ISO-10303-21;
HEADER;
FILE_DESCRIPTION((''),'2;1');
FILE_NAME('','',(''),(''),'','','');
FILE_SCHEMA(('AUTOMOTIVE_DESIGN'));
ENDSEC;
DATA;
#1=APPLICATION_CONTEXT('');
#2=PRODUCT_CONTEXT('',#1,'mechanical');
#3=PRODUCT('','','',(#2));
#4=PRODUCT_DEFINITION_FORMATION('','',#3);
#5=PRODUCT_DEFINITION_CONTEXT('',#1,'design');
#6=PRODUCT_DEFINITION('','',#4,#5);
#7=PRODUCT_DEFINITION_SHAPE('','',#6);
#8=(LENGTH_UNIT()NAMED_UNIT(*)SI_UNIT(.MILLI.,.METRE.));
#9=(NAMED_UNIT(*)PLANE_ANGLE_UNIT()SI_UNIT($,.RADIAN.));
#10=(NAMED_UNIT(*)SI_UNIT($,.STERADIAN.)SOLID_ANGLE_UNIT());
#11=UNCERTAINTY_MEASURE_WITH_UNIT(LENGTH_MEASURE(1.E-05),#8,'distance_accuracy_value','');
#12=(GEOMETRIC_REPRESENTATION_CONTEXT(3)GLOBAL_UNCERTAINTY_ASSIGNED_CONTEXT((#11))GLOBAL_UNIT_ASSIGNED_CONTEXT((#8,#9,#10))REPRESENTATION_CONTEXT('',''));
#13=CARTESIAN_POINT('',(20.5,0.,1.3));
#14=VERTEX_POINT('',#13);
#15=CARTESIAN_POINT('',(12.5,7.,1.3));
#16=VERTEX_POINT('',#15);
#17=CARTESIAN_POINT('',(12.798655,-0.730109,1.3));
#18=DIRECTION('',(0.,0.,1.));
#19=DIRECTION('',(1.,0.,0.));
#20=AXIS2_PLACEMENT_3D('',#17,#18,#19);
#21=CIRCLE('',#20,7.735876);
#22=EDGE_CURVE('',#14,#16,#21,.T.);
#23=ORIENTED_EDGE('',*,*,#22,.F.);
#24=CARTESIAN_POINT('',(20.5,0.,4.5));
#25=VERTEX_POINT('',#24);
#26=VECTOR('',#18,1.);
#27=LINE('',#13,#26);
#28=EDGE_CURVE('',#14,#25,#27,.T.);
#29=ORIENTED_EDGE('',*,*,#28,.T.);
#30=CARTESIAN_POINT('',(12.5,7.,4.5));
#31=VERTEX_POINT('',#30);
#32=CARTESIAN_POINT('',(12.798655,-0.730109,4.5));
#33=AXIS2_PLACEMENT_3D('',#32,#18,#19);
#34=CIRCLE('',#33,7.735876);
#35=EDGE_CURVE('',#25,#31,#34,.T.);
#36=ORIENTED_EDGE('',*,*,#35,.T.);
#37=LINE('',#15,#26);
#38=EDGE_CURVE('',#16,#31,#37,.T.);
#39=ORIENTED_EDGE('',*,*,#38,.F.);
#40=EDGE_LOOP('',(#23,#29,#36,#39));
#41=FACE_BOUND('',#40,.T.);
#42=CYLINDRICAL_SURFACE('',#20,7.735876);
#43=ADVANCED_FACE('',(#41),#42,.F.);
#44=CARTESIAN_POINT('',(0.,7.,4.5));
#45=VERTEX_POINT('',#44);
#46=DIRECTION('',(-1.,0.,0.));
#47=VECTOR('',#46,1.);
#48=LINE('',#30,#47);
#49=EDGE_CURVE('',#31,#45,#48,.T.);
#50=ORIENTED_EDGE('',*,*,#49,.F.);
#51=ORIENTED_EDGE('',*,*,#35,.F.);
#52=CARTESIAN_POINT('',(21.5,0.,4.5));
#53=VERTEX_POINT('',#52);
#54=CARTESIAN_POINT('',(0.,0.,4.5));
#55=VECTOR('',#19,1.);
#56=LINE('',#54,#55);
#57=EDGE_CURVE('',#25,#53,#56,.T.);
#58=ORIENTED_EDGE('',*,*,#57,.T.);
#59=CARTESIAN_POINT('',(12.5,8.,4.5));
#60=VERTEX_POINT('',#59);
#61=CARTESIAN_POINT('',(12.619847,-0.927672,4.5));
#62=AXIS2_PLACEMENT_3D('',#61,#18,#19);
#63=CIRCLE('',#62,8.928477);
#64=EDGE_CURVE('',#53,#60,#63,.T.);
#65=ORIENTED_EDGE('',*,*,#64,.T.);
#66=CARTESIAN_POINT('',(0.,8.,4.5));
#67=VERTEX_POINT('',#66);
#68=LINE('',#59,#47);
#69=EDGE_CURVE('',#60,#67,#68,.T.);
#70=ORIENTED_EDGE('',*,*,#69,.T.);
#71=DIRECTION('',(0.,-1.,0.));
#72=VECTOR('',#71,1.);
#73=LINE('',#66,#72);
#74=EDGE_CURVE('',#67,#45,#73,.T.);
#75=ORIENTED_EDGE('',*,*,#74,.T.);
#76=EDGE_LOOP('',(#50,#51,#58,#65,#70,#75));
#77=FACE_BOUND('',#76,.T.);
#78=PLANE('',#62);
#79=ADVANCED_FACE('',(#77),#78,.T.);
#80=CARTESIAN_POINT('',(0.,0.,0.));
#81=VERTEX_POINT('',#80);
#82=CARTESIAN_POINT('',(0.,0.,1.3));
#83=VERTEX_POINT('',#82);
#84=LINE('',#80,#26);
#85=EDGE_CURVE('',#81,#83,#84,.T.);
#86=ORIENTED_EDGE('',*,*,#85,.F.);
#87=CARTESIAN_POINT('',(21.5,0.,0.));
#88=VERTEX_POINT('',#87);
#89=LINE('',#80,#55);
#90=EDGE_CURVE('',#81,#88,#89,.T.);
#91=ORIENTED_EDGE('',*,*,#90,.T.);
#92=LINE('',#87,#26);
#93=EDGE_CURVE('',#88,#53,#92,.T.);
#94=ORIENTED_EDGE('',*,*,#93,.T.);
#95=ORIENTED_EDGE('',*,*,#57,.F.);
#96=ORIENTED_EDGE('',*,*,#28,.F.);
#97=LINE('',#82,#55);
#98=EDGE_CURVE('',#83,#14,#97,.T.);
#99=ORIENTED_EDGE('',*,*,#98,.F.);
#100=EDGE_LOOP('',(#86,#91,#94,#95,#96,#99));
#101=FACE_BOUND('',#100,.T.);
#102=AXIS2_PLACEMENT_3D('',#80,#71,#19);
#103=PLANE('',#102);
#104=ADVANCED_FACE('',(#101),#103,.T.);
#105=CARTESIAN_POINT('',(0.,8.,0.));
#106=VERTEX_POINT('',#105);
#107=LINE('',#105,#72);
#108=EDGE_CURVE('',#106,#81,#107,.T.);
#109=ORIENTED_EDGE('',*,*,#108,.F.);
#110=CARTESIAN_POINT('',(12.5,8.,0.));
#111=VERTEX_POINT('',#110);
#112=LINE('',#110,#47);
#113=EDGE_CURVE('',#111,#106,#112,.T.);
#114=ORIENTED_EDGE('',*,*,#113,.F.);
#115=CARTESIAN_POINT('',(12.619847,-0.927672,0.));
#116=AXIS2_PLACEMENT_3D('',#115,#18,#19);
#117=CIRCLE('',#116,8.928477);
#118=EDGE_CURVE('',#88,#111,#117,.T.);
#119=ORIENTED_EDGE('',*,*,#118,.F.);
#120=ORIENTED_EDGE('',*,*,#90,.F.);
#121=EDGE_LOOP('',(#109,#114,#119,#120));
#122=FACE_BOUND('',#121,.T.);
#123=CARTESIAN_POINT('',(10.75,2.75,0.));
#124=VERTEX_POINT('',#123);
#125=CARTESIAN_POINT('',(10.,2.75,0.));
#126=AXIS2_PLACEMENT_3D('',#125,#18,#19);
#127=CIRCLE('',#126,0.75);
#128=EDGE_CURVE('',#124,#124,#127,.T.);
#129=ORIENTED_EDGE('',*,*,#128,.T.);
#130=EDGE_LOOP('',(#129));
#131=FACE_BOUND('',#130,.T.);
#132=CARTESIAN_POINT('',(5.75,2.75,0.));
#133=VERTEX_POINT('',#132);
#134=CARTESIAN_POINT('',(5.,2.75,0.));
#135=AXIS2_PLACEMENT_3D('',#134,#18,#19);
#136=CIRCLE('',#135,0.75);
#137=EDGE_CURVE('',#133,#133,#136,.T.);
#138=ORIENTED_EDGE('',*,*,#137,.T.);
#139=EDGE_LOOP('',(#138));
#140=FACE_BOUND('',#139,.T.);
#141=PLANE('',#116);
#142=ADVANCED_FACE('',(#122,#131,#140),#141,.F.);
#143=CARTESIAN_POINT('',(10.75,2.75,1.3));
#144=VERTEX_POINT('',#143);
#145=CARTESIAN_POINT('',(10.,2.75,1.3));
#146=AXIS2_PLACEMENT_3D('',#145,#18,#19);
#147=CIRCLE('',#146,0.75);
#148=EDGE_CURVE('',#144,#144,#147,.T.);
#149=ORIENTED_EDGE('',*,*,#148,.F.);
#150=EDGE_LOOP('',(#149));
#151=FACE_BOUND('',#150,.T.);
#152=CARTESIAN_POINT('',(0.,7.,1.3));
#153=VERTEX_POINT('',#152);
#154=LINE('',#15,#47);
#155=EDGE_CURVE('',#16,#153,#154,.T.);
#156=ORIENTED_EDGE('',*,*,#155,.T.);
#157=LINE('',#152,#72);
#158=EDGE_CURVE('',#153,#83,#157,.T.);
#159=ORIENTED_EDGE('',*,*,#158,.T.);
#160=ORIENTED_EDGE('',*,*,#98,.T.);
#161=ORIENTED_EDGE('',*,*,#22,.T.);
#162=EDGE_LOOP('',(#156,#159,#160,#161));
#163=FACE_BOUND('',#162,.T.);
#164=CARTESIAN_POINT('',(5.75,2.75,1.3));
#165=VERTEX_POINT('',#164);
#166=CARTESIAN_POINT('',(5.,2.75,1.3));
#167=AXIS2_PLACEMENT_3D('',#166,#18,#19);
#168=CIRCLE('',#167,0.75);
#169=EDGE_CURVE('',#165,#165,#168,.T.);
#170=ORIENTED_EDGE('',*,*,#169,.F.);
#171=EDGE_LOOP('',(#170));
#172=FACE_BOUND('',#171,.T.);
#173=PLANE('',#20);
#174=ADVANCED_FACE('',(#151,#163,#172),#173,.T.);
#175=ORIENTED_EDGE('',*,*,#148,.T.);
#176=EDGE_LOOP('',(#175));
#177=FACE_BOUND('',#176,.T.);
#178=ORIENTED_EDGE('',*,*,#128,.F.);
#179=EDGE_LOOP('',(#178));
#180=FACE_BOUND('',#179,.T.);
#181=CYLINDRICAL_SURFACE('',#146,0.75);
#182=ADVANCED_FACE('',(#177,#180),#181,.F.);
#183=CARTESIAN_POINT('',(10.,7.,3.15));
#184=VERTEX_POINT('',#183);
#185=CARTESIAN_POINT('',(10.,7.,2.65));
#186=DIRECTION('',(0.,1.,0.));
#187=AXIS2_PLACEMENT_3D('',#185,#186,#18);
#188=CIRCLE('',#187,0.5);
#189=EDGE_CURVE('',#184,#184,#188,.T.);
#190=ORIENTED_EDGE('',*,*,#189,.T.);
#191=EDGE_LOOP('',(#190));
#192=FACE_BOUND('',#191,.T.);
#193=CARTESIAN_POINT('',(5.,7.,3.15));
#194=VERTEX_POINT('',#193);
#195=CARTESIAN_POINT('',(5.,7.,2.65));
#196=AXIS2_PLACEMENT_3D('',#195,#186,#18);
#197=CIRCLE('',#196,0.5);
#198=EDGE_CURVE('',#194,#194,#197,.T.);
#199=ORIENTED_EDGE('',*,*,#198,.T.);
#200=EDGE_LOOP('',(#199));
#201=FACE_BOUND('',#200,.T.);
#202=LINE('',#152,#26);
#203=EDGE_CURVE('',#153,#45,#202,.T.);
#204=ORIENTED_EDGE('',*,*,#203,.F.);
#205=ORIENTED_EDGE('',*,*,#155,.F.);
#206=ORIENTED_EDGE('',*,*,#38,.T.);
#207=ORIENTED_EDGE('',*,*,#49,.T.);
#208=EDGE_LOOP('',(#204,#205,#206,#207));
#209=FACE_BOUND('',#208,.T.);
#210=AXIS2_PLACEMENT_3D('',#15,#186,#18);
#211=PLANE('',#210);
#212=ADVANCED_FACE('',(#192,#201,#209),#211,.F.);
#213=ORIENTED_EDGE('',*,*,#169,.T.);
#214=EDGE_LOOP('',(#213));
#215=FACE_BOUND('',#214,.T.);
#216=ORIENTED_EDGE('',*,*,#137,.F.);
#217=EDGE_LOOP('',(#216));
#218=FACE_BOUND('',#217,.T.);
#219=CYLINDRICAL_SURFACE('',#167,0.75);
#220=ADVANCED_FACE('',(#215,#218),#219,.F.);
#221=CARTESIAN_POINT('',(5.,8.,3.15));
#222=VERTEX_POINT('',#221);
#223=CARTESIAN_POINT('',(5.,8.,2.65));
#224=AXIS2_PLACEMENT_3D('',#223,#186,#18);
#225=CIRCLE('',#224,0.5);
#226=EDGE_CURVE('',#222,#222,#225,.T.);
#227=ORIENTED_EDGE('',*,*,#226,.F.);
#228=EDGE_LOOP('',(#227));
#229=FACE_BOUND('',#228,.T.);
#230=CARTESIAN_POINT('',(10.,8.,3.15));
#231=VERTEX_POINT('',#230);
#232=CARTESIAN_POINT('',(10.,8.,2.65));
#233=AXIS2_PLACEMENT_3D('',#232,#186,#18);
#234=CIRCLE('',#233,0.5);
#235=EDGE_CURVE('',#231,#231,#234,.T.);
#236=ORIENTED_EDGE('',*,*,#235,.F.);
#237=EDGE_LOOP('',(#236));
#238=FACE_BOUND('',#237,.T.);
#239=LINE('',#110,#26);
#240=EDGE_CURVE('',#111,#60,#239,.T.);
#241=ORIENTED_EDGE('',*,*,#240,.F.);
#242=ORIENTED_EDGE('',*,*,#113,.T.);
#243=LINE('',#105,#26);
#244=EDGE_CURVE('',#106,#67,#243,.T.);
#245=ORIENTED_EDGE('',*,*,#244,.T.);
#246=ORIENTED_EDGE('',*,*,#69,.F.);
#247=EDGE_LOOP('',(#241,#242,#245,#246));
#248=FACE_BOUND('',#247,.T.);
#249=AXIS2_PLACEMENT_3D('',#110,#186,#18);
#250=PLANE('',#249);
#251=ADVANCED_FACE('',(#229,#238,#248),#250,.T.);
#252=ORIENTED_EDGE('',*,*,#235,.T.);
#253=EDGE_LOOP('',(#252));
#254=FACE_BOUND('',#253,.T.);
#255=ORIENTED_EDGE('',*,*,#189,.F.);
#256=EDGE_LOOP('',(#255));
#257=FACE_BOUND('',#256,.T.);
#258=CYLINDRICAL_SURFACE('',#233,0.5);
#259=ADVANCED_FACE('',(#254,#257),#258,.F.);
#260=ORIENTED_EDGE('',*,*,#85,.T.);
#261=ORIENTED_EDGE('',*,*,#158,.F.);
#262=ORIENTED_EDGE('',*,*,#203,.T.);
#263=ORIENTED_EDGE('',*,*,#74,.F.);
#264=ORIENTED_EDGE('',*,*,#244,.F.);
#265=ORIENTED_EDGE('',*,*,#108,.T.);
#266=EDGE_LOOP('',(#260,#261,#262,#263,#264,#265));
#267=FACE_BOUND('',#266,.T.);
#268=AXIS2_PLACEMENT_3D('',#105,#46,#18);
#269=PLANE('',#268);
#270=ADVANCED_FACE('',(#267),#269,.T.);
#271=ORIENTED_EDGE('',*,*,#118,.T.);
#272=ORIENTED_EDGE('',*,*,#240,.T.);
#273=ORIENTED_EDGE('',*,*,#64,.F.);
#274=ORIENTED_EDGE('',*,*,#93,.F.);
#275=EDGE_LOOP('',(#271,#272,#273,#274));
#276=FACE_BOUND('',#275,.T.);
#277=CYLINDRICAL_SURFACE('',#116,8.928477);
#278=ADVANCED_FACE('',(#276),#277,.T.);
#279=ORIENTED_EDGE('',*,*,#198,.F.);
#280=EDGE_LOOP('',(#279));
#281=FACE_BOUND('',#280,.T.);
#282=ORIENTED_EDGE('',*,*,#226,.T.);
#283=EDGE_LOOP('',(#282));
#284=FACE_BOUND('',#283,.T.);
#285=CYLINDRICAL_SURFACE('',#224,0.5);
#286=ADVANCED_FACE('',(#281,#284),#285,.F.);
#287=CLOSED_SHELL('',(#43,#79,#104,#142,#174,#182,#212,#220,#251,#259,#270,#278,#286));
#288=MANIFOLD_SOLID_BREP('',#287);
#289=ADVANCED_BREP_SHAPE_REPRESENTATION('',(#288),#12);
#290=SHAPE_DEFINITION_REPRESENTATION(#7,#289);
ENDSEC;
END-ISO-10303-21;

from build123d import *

# Parameters (mm, degrees)
SALIENTE_EXTRUIR1_DEPTH           = 4.5
CORTAR_EXTRUIR1_DEPTH             = 3.2
DI_METRO_DE_TALADRO_1_0_1_1_D     = 1
DI_METRO_DE_TALADRO_1_0_1_1_DEPTH = 8
DI_METRO_DE_TALADRO_1_5_1_5_1_D   = 1.5


with BuildPart() as part:
    # Croquis1 → Saliente-Extruir1 (new body)
    with BuildSketch(Plane.XY.offset(4.5)):
        with BuildLine():
            Line((0, 8), (0, 0))
            Line((0, 0), (21.5, 0))
            ThreePointArc((21.5, 0), (18.55160392, 5.74555441), (12.5, 8))
            Line((12.5, 8), (0, 8))
        make_face()
    extrude(amount=-SALIENTE_EXTRUIR1_DEPTH)

    # Croquis2 → Cortar-Extruir1 (cut)
    with BuildSketch(Plane.XY.offset(4.5)):
        with BuildLine():
            Line((12.5, 7), (0, 7))
            Line((0, 7), (0, 0))
            Line((0, 0), (20.5, 0))
            ThreePointArc((20.5, 0), (17.892764807, 5.091731208), (12.5, 7))
        make_face()
    extrude(amount=-CORTAR_EXTRUIR1_DEPTH, mode=Mode.SUBTRACT)

    # Diámetro de taladro Ø1.0 (1)1
    with Locations(Plane(origin=(0, 8, 0), x_dir=(1, 0, 0), z_dir=(0, 1, 0))):
        with Locations((5, -2.65), (10, -2.65)):
            Hole(DI_METRO_DE_TALADRO_1_0_1_1_D / 2, depth=DI_METRO_DE_TALADRO_1_0_1_1_DEPTH)

    # Diámetro de taladro Ø1.5 (1.5)1 (through all)
    with Locations(Plane.XY.offset(1.3)):
        with Locations((10, 2.75), (5, 2.75)):
            Hole(DI_METRO_DE_TALADRO_1_5_1_5_1_D / 2)


solid = part.part
